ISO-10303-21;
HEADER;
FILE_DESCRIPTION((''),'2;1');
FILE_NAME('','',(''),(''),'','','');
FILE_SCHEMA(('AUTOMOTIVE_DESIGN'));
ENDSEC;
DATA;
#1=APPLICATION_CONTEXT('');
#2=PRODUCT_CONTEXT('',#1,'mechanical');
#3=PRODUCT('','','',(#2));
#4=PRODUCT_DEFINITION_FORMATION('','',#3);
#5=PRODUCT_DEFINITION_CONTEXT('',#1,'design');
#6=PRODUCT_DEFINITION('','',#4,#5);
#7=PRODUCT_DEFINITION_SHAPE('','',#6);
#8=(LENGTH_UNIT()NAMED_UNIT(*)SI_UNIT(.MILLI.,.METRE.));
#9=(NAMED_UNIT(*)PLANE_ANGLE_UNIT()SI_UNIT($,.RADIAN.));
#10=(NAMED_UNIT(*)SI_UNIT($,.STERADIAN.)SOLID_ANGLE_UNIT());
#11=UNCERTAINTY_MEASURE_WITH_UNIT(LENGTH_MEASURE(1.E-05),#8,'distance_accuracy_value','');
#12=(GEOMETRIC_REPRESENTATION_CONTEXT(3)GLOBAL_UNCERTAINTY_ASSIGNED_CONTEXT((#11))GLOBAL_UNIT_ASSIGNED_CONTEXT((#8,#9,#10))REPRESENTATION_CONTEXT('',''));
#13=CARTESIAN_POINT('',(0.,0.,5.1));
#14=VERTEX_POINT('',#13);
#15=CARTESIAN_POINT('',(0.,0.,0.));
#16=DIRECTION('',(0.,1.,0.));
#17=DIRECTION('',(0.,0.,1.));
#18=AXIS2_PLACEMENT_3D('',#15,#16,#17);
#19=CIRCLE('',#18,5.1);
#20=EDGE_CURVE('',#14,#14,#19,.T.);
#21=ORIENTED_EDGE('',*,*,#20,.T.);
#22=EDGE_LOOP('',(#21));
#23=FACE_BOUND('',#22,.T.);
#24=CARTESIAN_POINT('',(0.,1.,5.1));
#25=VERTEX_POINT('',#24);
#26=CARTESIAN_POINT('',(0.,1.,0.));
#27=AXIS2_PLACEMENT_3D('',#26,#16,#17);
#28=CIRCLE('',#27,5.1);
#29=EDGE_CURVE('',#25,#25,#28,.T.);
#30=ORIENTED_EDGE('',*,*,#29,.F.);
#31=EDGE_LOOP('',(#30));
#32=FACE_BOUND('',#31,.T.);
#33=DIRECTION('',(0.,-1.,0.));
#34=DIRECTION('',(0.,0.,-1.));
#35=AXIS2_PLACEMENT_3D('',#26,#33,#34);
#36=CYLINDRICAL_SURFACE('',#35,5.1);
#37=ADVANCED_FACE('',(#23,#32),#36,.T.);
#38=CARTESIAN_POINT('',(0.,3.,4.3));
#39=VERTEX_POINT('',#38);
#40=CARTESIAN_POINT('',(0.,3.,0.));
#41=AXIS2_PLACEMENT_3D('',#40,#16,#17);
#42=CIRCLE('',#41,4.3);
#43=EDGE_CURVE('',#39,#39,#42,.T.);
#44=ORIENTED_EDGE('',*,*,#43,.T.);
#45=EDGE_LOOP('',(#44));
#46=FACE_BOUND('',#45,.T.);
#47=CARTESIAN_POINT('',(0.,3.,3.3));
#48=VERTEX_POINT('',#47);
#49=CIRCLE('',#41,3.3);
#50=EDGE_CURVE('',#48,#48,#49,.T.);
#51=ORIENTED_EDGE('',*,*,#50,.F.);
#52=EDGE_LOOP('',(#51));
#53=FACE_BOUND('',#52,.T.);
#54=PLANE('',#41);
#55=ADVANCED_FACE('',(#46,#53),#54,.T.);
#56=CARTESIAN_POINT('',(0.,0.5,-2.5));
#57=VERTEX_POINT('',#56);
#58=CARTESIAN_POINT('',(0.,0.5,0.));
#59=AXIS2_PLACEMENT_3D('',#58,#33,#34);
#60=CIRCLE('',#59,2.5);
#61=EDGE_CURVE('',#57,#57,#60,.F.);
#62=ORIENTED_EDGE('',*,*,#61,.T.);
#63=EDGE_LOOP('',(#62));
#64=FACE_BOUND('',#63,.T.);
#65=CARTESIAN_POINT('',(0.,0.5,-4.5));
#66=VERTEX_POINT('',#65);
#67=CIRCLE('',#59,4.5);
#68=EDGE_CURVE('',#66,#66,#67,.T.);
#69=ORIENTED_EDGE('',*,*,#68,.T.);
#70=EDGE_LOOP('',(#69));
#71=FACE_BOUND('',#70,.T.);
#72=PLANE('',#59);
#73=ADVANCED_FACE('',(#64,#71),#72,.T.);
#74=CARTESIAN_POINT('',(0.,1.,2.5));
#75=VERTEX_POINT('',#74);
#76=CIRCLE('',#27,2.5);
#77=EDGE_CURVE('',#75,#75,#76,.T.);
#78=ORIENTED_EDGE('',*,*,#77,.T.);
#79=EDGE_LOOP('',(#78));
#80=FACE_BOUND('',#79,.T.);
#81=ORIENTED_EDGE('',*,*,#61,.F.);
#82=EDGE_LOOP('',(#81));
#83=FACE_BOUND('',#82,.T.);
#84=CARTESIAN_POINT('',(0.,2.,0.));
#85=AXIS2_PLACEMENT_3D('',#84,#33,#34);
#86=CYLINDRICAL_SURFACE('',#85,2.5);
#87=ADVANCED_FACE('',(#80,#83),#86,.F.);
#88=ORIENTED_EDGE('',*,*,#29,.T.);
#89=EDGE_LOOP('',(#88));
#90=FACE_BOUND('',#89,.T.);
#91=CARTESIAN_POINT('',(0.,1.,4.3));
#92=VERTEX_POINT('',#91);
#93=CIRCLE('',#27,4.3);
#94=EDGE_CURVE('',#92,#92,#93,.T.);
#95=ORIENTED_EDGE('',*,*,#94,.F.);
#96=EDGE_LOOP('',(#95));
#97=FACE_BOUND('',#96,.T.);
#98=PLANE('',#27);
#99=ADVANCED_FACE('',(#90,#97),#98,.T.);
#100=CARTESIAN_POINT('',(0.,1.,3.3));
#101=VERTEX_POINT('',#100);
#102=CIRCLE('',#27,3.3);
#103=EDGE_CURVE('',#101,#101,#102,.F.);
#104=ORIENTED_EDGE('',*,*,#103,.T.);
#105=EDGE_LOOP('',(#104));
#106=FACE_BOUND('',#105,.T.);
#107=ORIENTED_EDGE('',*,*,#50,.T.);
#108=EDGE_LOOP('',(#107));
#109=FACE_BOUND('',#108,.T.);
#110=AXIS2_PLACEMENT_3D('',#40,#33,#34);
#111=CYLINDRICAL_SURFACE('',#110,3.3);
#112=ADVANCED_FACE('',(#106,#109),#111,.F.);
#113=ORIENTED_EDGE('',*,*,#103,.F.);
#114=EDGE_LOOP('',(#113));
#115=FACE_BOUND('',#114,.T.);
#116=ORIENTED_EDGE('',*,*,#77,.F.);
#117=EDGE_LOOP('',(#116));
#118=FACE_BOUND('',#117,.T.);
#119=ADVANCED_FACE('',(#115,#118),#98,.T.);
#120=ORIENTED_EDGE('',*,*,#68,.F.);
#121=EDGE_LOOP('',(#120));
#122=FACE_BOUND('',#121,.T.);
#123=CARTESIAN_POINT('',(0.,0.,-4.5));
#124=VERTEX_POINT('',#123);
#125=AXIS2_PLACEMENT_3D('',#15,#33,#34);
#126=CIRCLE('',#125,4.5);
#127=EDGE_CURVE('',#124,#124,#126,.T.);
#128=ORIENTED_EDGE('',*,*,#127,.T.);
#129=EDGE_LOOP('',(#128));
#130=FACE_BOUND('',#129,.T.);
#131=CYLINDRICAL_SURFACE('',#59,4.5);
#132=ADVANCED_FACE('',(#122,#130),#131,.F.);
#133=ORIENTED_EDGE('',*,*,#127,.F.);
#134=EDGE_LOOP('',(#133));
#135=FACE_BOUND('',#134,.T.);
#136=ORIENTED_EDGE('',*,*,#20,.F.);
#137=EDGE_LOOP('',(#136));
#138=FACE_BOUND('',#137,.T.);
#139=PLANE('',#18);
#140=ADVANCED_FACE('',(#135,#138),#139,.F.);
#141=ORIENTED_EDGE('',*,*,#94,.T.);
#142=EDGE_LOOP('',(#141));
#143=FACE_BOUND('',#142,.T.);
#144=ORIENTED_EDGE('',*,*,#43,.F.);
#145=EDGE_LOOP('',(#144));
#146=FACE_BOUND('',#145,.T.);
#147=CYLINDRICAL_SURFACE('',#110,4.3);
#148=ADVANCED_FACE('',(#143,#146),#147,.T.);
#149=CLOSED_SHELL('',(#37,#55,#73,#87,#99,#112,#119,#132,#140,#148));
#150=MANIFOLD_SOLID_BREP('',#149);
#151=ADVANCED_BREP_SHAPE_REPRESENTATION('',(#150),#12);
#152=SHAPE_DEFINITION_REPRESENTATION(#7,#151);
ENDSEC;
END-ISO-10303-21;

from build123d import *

# Parameters (mm, degrees)
SKETCH1_R           = 5.1
BOSS_EXTRUDE1_DEPTH = 1
SKETCH2_R           = 4.3
SKETCH2_R_2         = 3.3
BOSS_EXTRUDE2_DEPTH = 2
SKETCH3_R           = 2.5
CUT_EXTRUDE1_DEPTH  = 2
SKETCH4_R           = 4.5
CUT_EXTRUDE2_DEPTH  = 0.5


with BuildPart() as part:
    # Sketch1 → Boss-Extrude1 (new body)
    with BuildSketch(Plane(origin=(0, 0, 0), x_dir=(1, 0, 0), z_dir=(0, 1, 0))):
        with Locations(Location((0, 0, 0), (0, 0, 270))):
            Circle(SKETCH1_R)
    extrude(amount=BOSS_EXTRUDE1_DEPTH)

    # Sketch2 → Boss-Extrude2 (add)
    with BuildSketch(Plane(origin=(0, 1, 0), x_dir=(1, 0, 0), z_dir=(0, 1, 0))):
        with Locations(Location((0, 0, 0), (0, 0, 270))):
            Circle(SKETCH2_R)
        with Locations(Location((0, 0, 0), (0, 0, 270))):
            Circle(SKETCH2_R_2, mode=Mode.SUBTRACT)
    extrude(amount=BOSS_EXTRUDE2_DEPTH)

    # Sketch3 → Cut-Extrude1 (cut)
    with BuildSketch(Plane.XZ):
        with Locations(Location((0, 0, 0), (0, 0, 270))):
            Circle(SKETCH3_R)
    extrude(amount=-CUT_EXTRUDE1_DEPTH, mode=Mode.SUBTRACT)

    # Sketch4 → Cut-Extrude2 (cut)
    with BuildSketch(Plane.XZ):
        with Locations(Location((0, 0, 0), (0, 0, 270))):
            Circle(SKETCH4_R)
    extrude(amount=-CUT_EXTRUDE2_DEPTH, mode=Mode.SUBTRACT)


solid = part.part
